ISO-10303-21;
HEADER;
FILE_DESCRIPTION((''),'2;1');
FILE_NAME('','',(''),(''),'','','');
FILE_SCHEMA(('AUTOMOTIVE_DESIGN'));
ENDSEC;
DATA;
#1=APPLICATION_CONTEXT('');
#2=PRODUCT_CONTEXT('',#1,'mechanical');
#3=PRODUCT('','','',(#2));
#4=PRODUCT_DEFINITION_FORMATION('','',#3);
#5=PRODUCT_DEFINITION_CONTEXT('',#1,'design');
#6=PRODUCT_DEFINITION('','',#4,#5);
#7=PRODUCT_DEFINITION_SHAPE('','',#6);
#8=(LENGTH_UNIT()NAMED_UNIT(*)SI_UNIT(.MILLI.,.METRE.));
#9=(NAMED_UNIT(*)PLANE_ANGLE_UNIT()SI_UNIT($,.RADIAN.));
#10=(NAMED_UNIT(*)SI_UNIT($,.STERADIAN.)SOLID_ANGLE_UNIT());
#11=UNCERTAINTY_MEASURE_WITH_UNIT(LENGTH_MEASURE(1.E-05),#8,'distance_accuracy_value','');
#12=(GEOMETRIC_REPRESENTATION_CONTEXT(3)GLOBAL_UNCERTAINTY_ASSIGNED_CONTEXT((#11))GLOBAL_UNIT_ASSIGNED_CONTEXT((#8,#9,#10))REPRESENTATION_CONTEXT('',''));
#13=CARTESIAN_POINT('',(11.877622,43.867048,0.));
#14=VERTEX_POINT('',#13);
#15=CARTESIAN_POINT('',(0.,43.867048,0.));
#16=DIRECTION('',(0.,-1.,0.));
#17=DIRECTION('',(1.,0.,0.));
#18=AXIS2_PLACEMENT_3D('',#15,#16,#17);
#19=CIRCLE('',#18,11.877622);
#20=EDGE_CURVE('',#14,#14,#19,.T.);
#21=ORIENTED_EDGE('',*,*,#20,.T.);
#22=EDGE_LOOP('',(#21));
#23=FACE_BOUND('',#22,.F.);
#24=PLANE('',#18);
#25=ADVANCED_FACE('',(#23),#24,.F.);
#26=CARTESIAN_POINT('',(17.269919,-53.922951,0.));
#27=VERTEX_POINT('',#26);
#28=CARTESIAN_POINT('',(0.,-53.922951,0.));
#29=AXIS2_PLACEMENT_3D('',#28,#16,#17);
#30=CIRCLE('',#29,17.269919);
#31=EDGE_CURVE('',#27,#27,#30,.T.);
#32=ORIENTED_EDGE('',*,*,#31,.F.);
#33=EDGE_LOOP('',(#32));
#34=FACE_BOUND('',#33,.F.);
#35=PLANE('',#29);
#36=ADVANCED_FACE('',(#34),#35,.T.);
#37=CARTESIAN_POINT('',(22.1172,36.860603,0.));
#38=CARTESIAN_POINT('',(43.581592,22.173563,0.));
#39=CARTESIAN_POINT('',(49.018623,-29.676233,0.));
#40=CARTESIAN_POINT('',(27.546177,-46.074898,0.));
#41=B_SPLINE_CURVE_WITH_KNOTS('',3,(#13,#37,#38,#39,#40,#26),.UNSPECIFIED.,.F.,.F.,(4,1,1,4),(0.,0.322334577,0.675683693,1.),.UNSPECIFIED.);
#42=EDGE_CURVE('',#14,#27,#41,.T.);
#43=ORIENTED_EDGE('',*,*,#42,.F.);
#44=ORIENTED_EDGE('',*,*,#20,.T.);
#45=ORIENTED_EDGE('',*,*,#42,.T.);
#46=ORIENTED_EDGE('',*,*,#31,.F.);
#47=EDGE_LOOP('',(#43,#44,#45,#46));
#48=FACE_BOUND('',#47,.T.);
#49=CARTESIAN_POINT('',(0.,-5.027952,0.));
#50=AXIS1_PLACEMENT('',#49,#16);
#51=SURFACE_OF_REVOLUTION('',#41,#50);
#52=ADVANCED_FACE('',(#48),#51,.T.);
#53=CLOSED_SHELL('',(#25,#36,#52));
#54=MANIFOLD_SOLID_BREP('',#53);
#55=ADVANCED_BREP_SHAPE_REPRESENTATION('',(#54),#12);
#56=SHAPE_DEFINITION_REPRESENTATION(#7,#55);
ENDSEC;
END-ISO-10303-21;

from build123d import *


with BuildPart() as f1:
    # F0 (on Top) → F1 (revolve)
    with BuildSketch(Plane.XY):
        with BuildLine():
            add(Edge.make_bspline(
                [(11.8776224554, 43.8670478761), (22.1172002991, 36.8606026243), (43.5815924967, 22.1735626807), (49.0186234184, -29.6762334179), (27.5461765845, -46.0748979767), (17.2699186951, -53.9229512215)],
                knots=[0, 0, 0, 0, 0.3223345768, 0.6756836934, 1, 1, 1, 1], degree=3))
            Line((11.8776224554, 43.8670478761), (0, 43.8670478761))
            Line((0, 43.8670478761), (0, -53.9229512215))
            Line((0, -53.9229512215), (17.2699186951, -53.9229512215))
        make_face()
    revolve(axis=Axis((0, -5.0279516727, 0), (0, -1, 0)))


solid = f1.part
